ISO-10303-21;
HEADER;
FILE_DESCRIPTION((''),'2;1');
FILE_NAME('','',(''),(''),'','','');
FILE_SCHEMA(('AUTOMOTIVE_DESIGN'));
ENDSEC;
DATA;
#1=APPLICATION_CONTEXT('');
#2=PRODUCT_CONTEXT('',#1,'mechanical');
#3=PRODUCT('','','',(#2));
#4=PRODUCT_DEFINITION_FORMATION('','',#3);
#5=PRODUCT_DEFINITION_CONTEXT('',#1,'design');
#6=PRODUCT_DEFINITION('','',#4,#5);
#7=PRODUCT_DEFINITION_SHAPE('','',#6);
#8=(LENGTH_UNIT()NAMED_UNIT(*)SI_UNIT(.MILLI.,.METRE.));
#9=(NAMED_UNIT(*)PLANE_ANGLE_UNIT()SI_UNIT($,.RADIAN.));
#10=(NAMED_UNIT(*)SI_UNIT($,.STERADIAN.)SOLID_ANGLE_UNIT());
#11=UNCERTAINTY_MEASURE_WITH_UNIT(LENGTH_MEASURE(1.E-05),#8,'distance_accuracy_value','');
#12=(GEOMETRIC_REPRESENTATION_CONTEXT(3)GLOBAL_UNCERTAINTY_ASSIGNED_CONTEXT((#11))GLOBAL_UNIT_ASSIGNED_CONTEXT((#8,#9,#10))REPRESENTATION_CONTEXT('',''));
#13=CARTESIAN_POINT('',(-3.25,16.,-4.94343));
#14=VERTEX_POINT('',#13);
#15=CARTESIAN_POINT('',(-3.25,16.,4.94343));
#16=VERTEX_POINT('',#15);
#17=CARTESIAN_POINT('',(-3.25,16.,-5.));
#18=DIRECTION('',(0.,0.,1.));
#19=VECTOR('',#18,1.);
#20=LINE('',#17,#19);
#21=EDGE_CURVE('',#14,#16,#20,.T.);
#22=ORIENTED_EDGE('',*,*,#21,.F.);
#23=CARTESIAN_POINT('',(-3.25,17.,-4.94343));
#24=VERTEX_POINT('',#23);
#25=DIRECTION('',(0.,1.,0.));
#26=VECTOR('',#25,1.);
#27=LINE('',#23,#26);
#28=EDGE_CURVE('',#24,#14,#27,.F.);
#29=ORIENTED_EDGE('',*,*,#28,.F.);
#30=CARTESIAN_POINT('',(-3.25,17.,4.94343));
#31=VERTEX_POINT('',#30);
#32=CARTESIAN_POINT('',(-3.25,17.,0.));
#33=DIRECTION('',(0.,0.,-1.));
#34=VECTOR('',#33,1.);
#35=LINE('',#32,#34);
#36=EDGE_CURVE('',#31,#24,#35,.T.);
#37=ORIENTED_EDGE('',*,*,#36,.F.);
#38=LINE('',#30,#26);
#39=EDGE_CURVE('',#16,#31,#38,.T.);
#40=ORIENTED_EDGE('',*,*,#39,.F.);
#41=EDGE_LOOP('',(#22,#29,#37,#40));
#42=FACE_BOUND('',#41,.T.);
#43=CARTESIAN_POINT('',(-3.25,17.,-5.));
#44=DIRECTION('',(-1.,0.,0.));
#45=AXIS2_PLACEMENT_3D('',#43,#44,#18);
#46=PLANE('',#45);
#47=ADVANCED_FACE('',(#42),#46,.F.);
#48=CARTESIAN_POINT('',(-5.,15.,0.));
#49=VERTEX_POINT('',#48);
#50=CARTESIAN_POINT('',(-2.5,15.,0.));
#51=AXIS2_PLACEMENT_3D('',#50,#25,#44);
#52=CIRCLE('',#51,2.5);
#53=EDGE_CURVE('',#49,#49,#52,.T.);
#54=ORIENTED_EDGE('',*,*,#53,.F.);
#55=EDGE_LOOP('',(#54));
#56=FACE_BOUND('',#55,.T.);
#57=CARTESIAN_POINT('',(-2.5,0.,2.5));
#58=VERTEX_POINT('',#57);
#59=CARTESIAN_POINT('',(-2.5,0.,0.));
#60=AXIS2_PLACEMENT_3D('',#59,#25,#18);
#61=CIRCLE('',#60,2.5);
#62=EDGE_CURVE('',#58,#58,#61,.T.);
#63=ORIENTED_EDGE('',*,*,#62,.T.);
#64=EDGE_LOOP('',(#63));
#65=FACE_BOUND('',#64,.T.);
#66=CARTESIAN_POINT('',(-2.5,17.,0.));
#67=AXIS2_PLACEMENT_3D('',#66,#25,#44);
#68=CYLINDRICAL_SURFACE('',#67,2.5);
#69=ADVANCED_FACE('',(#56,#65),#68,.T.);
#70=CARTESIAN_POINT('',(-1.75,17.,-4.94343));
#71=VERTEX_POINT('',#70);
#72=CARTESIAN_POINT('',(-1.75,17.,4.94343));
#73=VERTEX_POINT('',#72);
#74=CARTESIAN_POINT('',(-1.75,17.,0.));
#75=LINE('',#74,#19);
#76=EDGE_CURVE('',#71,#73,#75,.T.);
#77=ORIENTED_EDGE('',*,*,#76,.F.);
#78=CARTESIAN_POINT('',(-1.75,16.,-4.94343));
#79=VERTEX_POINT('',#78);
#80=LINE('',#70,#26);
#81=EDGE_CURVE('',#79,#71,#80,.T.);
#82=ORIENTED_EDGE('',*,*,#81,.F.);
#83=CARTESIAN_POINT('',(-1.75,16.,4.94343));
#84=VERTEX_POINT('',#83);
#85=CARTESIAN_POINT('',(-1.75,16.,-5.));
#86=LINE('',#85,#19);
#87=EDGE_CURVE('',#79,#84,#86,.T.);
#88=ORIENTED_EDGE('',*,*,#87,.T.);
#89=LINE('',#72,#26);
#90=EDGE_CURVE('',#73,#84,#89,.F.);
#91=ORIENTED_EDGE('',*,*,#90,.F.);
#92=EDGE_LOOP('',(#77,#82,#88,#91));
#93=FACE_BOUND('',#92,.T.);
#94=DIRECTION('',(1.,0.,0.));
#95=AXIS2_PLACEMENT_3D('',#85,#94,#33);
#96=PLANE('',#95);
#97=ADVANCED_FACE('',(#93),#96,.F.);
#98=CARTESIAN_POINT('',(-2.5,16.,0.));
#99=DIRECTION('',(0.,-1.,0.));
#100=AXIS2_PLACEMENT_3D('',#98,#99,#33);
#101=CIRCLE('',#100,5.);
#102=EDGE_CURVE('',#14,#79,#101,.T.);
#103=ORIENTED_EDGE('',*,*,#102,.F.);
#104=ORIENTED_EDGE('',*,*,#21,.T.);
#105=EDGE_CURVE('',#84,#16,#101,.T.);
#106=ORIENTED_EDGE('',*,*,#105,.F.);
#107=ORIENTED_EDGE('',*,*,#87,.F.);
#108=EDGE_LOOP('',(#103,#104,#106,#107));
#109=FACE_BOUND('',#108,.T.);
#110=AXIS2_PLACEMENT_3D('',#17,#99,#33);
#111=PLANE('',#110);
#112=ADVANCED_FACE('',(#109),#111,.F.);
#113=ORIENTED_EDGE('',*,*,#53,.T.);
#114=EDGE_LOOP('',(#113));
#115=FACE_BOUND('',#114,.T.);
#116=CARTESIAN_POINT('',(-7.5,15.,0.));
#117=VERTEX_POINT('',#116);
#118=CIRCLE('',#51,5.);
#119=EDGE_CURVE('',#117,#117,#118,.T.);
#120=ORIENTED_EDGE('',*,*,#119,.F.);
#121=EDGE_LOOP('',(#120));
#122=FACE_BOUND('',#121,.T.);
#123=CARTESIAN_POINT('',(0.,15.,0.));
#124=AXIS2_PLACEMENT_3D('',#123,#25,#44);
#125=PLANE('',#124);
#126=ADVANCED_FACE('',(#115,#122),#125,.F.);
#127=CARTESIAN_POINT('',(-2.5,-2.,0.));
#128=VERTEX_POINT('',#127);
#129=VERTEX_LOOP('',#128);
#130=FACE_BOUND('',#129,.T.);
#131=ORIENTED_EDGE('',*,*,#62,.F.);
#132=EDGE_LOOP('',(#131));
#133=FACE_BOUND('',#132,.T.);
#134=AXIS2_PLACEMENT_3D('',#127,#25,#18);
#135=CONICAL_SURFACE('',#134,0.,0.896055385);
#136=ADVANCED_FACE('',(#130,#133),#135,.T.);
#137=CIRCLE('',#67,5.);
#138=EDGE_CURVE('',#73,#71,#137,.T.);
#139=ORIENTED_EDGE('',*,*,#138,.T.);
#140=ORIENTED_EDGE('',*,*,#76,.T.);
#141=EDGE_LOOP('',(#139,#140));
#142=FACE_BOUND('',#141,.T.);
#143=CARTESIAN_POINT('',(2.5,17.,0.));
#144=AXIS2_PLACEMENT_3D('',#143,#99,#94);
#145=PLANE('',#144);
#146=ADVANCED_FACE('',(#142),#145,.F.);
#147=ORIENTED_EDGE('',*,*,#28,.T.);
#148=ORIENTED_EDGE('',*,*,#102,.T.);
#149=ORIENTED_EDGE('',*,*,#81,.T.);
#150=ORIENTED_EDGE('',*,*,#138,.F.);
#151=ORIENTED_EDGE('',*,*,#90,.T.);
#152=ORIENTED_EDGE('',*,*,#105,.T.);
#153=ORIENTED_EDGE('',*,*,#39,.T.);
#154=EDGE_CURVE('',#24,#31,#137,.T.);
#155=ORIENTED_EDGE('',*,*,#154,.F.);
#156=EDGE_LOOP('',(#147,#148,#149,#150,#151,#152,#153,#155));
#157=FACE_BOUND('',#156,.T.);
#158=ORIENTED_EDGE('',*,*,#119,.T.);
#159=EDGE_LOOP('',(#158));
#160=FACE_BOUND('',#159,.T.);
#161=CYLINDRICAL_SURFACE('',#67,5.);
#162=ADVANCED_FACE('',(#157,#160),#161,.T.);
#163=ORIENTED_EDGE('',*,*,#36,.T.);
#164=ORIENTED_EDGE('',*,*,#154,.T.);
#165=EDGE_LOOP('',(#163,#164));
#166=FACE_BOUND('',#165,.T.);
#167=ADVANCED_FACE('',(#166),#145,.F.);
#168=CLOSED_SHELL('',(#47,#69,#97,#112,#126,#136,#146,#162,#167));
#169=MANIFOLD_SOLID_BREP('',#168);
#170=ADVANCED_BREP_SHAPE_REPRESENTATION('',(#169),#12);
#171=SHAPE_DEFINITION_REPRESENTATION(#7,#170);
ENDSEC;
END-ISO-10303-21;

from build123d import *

# Parameters (mm, degrees)
CUT_EXTRUDE1_DEPTH      = 20.241881405
CUT_EXTRUDE1_DEPTH_BACK = 20.241881405
SKETCH2_W               = 1.5
SKETCH2_H               = 1


with BuildPart() as part:
    # Sketch1 → Revolve1 (revolve)
    with BuildSketch(Plane.XY, mode=Mode.PRIVATE) as revolve1_sk:
        Polygon((0, 0), (0, 15), (2.5, 15), (2.5, 17), (-2.5, 17), (-2.5, 0), align=None)
    revolve(revolve1_sk.sketch.rotate(Axis((-2.5, 17, 0), (0, -1, 0)), 180), axis=Axis((-2.5, 17, 0), (0, -1, 0)))

    # Sketch2 → Cut-Extrude1 (cut, two sides: drawn at the far end of the back side and taken through both)
    with BuildSketch(Plane.XY.offset(-CUT_EXTRUDE1_DEPTH_BACK)):
        with Locations((-2.5, 16.5)):
            Rectangle(SKETCH2_W, SKETCH2_H)
    extrude(amount=CUT_EXTRUDE1_DEPTH + CUT_EXTRUDE1_DEPTH_BACK, mode=Mode.SUBTRACT)

    # Sketch3 → Revolve2 (revolve)
    with BuildSketch(Plane.XY, mode=Mode.PRIVATE) as revolve2_sk:
        Polygon((-2.5, 0), (-2.5, -2), (0, 0), align=None)
    revolve(revolve2_sk.sketch.rotate(Axis((-2.5, 0, 0), (0, -1, 0)), 90), axis=Axis((-2.5, 0, 0), (0, -1, 0)))


solid = part.part
